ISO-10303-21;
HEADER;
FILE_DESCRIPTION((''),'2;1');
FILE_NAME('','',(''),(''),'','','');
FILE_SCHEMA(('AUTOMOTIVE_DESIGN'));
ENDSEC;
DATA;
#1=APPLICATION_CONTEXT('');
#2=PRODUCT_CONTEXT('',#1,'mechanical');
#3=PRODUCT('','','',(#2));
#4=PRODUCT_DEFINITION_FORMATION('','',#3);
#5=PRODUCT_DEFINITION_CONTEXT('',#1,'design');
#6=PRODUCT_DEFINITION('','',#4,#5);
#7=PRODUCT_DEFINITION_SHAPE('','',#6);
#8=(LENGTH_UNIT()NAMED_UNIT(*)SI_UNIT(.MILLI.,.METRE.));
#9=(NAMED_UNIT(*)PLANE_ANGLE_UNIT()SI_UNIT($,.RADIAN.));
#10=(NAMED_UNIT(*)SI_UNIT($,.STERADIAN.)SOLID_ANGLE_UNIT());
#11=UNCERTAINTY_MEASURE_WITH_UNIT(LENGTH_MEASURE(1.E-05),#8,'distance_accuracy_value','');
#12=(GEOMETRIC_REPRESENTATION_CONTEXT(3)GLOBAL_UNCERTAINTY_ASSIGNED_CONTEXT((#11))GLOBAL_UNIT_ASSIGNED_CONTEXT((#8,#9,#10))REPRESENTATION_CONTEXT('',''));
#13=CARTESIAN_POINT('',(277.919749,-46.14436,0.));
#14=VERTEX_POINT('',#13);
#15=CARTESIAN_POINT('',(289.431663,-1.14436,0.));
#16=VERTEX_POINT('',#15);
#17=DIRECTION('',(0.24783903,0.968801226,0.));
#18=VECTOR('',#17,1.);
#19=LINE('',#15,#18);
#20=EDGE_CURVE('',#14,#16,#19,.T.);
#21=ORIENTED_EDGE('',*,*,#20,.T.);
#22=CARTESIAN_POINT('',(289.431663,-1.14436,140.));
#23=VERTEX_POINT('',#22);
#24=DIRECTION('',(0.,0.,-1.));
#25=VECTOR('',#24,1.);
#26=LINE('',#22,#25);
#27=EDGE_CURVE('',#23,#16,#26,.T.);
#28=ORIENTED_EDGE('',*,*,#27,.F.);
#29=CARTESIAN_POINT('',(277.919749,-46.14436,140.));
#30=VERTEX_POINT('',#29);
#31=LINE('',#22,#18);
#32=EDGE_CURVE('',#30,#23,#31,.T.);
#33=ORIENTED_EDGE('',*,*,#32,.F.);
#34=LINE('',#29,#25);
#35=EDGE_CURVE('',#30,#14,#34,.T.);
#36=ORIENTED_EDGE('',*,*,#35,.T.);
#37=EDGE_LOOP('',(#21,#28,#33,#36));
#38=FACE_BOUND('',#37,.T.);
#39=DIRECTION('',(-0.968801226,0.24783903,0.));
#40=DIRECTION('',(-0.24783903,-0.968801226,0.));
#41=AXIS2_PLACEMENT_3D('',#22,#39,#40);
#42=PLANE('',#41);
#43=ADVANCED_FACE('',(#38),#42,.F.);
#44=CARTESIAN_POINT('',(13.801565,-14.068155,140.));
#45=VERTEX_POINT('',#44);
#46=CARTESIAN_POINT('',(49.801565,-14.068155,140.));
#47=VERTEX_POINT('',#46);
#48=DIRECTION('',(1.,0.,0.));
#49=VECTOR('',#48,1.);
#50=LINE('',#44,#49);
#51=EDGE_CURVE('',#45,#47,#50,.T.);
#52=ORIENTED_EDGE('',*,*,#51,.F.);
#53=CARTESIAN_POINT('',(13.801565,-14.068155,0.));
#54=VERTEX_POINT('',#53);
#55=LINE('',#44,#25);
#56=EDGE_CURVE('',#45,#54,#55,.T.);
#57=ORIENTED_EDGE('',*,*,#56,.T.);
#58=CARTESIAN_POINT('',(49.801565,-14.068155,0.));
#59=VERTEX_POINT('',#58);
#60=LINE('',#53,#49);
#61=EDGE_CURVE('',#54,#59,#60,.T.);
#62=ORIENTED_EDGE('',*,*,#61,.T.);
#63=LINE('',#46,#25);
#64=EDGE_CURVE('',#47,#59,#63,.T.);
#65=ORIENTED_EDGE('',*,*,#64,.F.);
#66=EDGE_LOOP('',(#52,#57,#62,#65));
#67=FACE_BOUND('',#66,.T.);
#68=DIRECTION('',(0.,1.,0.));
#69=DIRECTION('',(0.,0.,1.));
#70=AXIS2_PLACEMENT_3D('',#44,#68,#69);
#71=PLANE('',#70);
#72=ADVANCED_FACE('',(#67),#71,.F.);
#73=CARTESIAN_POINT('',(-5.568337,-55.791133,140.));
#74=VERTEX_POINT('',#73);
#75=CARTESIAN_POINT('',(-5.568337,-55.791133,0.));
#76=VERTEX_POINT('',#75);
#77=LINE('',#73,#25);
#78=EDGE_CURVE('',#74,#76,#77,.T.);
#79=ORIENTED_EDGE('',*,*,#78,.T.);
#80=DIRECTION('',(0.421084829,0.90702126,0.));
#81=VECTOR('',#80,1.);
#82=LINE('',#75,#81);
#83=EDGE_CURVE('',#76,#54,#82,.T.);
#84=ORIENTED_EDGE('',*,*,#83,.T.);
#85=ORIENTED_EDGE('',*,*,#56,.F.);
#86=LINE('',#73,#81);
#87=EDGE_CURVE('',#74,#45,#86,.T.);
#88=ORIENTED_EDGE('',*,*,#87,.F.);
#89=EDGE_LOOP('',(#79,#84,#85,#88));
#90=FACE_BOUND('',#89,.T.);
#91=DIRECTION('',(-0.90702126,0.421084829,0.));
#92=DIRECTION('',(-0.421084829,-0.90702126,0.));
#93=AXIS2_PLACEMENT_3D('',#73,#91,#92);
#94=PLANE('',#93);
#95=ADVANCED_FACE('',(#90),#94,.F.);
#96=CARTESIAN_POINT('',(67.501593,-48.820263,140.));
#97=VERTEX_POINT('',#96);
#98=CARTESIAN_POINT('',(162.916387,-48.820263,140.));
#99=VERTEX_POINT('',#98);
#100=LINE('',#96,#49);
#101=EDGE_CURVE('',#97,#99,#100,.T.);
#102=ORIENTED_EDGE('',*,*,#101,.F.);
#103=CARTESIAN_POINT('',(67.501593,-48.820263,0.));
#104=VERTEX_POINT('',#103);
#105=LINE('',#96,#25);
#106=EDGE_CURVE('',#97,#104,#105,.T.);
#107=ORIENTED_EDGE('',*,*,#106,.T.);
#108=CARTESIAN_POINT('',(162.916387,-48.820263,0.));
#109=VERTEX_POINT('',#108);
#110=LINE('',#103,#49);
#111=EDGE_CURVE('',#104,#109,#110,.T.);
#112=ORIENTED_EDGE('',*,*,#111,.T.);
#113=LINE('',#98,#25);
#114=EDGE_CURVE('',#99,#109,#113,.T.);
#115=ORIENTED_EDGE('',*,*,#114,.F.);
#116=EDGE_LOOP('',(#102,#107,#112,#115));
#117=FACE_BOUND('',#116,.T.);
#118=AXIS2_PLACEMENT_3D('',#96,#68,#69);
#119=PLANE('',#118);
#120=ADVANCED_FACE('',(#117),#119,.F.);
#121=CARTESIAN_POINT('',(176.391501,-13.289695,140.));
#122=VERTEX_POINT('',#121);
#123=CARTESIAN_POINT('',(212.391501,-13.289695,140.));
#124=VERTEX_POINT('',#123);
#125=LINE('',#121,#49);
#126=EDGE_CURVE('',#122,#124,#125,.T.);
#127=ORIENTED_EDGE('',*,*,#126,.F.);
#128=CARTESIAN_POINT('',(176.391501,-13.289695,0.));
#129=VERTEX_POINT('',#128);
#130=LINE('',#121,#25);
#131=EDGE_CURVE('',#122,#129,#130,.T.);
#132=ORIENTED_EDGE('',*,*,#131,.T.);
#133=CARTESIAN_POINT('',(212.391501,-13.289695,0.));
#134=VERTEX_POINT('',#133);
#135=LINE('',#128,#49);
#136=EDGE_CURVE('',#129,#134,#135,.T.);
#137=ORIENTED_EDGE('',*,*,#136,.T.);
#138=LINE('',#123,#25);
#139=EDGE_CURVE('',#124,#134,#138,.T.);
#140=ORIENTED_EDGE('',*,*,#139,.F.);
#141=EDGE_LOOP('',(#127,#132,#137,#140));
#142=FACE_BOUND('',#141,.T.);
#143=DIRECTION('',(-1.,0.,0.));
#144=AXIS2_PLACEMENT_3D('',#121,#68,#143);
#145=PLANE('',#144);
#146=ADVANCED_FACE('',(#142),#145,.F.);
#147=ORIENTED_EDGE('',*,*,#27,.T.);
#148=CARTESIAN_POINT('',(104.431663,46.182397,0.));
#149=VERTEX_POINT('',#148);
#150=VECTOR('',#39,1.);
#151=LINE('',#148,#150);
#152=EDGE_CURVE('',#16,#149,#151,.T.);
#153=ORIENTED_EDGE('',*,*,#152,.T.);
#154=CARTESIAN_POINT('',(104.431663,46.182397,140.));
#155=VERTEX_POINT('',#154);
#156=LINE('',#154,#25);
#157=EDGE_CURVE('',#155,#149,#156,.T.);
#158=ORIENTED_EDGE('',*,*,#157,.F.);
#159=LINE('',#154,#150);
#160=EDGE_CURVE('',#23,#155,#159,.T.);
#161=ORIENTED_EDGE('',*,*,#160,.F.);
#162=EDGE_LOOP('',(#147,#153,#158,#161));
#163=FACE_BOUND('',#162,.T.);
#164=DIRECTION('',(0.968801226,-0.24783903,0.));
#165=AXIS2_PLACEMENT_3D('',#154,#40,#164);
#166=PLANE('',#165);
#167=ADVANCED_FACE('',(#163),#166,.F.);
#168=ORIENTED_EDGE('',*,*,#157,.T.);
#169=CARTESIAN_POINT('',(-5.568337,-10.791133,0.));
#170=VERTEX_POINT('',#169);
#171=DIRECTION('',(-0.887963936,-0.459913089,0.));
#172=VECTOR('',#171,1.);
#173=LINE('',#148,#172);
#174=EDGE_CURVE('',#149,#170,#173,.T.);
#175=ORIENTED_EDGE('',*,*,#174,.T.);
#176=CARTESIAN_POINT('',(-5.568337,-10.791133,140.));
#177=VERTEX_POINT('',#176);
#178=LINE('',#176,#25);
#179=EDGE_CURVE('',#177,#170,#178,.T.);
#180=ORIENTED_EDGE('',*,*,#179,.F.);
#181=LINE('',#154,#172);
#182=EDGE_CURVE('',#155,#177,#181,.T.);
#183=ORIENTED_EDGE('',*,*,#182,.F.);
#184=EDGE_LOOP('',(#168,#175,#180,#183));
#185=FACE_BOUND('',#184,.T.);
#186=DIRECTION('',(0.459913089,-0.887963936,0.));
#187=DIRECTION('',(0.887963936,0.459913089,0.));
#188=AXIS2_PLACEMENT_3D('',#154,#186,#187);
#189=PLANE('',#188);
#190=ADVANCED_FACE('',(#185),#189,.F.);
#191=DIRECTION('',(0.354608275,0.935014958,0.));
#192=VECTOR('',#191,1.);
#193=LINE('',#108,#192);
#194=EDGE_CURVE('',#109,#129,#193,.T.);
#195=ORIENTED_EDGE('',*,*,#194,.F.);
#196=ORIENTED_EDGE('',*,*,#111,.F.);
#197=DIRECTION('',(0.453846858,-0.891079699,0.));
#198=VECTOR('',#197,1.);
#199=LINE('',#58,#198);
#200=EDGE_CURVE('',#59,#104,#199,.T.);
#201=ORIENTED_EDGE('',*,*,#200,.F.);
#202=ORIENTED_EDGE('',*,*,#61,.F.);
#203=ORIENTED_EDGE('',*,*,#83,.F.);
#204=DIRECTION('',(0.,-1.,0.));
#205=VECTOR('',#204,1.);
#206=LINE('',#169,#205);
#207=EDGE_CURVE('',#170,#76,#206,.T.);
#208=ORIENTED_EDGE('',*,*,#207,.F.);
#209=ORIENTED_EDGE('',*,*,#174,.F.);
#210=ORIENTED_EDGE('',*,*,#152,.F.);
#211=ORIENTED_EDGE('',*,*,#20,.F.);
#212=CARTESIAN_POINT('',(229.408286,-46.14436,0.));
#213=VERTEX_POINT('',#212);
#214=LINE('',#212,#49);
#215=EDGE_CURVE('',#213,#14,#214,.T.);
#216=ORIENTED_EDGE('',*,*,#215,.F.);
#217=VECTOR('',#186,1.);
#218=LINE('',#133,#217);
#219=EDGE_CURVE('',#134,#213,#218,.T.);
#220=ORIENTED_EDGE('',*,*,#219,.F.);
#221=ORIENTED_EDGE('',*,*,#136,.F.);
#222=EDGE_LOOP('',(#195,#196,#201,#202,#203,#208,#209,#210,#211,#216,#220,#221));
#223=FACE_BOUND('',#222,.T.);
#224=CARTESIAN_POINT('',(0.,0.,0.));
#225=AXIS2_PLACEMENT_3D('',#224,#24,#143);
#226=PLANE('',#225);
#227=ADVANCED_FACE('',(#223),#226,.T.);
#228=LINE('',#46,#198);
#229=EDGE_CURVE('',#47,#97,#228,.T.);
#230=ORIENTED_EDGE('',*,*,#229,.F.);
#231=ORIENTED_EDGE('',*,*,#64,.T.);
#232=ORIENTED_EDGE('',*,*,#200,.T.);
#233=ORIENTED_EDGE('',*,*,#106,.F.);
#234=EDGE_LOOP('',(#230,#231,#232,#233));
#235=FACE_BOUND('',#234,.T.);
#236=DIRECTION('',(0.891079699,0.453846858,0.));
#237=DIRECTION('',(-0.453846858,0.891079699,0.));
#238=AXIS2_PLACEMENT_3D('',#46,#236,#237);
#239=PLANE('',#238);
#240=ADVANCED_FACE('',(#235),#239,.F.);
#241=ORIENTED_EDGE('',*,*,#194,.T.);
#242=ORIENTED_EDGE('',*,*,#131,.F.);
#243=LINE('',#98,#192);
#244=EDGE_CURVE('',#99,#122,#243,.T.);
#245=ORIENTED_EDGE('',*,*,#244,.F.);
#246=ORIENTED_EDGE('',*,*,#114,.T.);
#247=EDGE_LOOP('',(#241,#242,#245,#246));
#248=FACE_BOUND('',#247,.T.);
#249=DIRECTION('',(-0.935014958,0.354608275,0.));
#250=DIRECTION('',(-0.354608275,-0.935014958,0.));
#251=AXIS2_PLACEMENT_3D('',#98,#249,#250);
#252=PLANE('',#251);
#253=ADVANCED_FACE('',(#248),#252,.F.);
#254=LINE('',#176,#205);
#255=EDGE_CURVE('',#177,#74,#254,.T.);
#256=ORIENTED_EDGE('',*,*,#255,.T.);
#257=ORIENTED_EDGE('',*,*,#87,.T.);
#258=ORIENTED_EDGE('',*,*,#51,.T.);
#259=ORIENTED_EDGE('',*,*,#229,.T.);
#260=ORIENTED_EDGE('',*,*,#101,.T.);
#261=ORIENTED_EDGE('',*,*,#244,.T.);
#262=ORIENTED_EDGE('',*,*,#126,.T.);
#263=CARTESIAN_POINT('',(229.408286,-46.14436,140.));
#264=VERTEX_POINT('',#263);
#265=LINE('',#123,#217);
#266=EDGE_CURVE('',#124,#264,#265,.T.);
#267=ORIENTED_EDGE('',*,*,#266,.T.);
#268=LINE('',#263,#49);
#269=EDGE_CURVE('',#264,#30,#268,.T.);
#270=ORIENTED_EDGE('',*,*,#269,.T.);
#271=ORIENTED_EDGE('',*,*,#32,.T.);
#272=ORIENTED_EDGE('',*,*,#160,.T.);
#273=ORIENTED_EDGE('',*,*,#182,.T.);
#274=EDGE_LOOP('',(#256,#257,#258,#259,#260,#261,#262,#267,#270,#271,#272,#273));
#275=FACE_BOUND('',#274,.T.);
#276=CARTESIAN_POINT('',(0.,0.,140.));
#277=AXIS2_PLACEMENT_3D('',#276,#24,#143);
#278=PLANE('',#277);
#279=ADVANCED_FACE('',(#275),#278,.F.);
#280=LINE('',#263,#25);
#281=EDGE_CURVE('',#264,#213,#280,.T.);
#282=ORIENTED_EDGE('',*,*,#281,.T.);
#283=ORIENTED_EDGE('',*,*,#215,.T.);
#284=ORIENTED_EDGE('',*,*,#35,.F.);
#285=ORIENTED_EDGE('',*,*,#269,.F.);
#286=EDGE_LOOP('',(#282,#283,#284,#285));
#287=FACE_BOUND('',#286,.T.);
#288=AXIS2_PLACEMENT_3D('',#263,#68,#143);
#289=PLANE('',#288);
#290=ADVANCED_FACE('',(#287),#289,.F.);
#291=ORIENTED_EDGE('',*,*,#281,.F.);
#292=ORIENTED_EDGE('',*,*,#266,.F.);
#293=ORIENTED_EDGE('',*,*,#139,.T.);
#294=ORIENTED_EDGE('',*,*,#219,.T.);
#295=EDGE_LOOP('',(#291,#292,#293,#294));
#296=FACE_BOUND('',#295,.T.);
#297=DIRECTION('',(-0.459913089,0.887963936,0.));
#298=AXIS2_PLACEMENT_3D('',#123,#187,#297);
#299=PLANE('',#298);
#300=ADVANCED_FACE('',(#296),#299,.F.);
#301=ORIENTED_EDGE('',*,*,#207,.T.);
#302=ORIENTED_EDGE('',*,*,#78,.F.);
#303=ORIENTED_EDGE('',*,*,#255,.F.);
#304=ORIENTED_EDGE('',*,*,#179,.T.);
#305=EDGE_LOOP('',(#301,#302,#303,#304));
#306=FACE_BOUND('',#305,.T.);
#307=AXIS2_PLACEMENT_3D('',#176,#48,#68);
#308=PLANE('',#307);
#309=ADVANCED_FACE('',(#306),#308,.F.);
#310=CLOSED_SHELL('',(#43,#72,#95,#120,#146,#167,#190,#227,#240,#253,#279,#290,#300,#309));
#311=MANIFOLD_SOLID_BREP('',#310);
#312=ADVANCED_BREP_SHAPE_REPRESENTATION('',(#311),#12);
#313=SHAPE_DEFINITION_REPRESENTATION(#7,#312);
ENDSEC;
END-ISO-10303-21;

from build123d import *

# Parameters (mm, degrees)
BOSS_EXTRUDE1_DEPTH = 140


with BuildPart() as part:
    # Sketch1 → Boss-Extrude1 (new body)
    with BuildSketch(Plane.XY):
        Polygon((104.431663255, 46.182397048), (-5.568336745, -10.791132755), (-5.568336745, -55.791132755), (13.801565383, -14.068154775), (49.801565383, -14.068154775), (67.501592841, -48.820263028), (162.916386918, -48.820263028), (176.391501363, -13.289694629), (212.391501363, -13.289694629), (229.408285642, -46.144360246), (277.919749319, -46.144360246), (289.431663255, -1.144360246), align=None)
    extrude(amount=BOSS_EXTRUDE1_DEPTH)


solid = part.part
